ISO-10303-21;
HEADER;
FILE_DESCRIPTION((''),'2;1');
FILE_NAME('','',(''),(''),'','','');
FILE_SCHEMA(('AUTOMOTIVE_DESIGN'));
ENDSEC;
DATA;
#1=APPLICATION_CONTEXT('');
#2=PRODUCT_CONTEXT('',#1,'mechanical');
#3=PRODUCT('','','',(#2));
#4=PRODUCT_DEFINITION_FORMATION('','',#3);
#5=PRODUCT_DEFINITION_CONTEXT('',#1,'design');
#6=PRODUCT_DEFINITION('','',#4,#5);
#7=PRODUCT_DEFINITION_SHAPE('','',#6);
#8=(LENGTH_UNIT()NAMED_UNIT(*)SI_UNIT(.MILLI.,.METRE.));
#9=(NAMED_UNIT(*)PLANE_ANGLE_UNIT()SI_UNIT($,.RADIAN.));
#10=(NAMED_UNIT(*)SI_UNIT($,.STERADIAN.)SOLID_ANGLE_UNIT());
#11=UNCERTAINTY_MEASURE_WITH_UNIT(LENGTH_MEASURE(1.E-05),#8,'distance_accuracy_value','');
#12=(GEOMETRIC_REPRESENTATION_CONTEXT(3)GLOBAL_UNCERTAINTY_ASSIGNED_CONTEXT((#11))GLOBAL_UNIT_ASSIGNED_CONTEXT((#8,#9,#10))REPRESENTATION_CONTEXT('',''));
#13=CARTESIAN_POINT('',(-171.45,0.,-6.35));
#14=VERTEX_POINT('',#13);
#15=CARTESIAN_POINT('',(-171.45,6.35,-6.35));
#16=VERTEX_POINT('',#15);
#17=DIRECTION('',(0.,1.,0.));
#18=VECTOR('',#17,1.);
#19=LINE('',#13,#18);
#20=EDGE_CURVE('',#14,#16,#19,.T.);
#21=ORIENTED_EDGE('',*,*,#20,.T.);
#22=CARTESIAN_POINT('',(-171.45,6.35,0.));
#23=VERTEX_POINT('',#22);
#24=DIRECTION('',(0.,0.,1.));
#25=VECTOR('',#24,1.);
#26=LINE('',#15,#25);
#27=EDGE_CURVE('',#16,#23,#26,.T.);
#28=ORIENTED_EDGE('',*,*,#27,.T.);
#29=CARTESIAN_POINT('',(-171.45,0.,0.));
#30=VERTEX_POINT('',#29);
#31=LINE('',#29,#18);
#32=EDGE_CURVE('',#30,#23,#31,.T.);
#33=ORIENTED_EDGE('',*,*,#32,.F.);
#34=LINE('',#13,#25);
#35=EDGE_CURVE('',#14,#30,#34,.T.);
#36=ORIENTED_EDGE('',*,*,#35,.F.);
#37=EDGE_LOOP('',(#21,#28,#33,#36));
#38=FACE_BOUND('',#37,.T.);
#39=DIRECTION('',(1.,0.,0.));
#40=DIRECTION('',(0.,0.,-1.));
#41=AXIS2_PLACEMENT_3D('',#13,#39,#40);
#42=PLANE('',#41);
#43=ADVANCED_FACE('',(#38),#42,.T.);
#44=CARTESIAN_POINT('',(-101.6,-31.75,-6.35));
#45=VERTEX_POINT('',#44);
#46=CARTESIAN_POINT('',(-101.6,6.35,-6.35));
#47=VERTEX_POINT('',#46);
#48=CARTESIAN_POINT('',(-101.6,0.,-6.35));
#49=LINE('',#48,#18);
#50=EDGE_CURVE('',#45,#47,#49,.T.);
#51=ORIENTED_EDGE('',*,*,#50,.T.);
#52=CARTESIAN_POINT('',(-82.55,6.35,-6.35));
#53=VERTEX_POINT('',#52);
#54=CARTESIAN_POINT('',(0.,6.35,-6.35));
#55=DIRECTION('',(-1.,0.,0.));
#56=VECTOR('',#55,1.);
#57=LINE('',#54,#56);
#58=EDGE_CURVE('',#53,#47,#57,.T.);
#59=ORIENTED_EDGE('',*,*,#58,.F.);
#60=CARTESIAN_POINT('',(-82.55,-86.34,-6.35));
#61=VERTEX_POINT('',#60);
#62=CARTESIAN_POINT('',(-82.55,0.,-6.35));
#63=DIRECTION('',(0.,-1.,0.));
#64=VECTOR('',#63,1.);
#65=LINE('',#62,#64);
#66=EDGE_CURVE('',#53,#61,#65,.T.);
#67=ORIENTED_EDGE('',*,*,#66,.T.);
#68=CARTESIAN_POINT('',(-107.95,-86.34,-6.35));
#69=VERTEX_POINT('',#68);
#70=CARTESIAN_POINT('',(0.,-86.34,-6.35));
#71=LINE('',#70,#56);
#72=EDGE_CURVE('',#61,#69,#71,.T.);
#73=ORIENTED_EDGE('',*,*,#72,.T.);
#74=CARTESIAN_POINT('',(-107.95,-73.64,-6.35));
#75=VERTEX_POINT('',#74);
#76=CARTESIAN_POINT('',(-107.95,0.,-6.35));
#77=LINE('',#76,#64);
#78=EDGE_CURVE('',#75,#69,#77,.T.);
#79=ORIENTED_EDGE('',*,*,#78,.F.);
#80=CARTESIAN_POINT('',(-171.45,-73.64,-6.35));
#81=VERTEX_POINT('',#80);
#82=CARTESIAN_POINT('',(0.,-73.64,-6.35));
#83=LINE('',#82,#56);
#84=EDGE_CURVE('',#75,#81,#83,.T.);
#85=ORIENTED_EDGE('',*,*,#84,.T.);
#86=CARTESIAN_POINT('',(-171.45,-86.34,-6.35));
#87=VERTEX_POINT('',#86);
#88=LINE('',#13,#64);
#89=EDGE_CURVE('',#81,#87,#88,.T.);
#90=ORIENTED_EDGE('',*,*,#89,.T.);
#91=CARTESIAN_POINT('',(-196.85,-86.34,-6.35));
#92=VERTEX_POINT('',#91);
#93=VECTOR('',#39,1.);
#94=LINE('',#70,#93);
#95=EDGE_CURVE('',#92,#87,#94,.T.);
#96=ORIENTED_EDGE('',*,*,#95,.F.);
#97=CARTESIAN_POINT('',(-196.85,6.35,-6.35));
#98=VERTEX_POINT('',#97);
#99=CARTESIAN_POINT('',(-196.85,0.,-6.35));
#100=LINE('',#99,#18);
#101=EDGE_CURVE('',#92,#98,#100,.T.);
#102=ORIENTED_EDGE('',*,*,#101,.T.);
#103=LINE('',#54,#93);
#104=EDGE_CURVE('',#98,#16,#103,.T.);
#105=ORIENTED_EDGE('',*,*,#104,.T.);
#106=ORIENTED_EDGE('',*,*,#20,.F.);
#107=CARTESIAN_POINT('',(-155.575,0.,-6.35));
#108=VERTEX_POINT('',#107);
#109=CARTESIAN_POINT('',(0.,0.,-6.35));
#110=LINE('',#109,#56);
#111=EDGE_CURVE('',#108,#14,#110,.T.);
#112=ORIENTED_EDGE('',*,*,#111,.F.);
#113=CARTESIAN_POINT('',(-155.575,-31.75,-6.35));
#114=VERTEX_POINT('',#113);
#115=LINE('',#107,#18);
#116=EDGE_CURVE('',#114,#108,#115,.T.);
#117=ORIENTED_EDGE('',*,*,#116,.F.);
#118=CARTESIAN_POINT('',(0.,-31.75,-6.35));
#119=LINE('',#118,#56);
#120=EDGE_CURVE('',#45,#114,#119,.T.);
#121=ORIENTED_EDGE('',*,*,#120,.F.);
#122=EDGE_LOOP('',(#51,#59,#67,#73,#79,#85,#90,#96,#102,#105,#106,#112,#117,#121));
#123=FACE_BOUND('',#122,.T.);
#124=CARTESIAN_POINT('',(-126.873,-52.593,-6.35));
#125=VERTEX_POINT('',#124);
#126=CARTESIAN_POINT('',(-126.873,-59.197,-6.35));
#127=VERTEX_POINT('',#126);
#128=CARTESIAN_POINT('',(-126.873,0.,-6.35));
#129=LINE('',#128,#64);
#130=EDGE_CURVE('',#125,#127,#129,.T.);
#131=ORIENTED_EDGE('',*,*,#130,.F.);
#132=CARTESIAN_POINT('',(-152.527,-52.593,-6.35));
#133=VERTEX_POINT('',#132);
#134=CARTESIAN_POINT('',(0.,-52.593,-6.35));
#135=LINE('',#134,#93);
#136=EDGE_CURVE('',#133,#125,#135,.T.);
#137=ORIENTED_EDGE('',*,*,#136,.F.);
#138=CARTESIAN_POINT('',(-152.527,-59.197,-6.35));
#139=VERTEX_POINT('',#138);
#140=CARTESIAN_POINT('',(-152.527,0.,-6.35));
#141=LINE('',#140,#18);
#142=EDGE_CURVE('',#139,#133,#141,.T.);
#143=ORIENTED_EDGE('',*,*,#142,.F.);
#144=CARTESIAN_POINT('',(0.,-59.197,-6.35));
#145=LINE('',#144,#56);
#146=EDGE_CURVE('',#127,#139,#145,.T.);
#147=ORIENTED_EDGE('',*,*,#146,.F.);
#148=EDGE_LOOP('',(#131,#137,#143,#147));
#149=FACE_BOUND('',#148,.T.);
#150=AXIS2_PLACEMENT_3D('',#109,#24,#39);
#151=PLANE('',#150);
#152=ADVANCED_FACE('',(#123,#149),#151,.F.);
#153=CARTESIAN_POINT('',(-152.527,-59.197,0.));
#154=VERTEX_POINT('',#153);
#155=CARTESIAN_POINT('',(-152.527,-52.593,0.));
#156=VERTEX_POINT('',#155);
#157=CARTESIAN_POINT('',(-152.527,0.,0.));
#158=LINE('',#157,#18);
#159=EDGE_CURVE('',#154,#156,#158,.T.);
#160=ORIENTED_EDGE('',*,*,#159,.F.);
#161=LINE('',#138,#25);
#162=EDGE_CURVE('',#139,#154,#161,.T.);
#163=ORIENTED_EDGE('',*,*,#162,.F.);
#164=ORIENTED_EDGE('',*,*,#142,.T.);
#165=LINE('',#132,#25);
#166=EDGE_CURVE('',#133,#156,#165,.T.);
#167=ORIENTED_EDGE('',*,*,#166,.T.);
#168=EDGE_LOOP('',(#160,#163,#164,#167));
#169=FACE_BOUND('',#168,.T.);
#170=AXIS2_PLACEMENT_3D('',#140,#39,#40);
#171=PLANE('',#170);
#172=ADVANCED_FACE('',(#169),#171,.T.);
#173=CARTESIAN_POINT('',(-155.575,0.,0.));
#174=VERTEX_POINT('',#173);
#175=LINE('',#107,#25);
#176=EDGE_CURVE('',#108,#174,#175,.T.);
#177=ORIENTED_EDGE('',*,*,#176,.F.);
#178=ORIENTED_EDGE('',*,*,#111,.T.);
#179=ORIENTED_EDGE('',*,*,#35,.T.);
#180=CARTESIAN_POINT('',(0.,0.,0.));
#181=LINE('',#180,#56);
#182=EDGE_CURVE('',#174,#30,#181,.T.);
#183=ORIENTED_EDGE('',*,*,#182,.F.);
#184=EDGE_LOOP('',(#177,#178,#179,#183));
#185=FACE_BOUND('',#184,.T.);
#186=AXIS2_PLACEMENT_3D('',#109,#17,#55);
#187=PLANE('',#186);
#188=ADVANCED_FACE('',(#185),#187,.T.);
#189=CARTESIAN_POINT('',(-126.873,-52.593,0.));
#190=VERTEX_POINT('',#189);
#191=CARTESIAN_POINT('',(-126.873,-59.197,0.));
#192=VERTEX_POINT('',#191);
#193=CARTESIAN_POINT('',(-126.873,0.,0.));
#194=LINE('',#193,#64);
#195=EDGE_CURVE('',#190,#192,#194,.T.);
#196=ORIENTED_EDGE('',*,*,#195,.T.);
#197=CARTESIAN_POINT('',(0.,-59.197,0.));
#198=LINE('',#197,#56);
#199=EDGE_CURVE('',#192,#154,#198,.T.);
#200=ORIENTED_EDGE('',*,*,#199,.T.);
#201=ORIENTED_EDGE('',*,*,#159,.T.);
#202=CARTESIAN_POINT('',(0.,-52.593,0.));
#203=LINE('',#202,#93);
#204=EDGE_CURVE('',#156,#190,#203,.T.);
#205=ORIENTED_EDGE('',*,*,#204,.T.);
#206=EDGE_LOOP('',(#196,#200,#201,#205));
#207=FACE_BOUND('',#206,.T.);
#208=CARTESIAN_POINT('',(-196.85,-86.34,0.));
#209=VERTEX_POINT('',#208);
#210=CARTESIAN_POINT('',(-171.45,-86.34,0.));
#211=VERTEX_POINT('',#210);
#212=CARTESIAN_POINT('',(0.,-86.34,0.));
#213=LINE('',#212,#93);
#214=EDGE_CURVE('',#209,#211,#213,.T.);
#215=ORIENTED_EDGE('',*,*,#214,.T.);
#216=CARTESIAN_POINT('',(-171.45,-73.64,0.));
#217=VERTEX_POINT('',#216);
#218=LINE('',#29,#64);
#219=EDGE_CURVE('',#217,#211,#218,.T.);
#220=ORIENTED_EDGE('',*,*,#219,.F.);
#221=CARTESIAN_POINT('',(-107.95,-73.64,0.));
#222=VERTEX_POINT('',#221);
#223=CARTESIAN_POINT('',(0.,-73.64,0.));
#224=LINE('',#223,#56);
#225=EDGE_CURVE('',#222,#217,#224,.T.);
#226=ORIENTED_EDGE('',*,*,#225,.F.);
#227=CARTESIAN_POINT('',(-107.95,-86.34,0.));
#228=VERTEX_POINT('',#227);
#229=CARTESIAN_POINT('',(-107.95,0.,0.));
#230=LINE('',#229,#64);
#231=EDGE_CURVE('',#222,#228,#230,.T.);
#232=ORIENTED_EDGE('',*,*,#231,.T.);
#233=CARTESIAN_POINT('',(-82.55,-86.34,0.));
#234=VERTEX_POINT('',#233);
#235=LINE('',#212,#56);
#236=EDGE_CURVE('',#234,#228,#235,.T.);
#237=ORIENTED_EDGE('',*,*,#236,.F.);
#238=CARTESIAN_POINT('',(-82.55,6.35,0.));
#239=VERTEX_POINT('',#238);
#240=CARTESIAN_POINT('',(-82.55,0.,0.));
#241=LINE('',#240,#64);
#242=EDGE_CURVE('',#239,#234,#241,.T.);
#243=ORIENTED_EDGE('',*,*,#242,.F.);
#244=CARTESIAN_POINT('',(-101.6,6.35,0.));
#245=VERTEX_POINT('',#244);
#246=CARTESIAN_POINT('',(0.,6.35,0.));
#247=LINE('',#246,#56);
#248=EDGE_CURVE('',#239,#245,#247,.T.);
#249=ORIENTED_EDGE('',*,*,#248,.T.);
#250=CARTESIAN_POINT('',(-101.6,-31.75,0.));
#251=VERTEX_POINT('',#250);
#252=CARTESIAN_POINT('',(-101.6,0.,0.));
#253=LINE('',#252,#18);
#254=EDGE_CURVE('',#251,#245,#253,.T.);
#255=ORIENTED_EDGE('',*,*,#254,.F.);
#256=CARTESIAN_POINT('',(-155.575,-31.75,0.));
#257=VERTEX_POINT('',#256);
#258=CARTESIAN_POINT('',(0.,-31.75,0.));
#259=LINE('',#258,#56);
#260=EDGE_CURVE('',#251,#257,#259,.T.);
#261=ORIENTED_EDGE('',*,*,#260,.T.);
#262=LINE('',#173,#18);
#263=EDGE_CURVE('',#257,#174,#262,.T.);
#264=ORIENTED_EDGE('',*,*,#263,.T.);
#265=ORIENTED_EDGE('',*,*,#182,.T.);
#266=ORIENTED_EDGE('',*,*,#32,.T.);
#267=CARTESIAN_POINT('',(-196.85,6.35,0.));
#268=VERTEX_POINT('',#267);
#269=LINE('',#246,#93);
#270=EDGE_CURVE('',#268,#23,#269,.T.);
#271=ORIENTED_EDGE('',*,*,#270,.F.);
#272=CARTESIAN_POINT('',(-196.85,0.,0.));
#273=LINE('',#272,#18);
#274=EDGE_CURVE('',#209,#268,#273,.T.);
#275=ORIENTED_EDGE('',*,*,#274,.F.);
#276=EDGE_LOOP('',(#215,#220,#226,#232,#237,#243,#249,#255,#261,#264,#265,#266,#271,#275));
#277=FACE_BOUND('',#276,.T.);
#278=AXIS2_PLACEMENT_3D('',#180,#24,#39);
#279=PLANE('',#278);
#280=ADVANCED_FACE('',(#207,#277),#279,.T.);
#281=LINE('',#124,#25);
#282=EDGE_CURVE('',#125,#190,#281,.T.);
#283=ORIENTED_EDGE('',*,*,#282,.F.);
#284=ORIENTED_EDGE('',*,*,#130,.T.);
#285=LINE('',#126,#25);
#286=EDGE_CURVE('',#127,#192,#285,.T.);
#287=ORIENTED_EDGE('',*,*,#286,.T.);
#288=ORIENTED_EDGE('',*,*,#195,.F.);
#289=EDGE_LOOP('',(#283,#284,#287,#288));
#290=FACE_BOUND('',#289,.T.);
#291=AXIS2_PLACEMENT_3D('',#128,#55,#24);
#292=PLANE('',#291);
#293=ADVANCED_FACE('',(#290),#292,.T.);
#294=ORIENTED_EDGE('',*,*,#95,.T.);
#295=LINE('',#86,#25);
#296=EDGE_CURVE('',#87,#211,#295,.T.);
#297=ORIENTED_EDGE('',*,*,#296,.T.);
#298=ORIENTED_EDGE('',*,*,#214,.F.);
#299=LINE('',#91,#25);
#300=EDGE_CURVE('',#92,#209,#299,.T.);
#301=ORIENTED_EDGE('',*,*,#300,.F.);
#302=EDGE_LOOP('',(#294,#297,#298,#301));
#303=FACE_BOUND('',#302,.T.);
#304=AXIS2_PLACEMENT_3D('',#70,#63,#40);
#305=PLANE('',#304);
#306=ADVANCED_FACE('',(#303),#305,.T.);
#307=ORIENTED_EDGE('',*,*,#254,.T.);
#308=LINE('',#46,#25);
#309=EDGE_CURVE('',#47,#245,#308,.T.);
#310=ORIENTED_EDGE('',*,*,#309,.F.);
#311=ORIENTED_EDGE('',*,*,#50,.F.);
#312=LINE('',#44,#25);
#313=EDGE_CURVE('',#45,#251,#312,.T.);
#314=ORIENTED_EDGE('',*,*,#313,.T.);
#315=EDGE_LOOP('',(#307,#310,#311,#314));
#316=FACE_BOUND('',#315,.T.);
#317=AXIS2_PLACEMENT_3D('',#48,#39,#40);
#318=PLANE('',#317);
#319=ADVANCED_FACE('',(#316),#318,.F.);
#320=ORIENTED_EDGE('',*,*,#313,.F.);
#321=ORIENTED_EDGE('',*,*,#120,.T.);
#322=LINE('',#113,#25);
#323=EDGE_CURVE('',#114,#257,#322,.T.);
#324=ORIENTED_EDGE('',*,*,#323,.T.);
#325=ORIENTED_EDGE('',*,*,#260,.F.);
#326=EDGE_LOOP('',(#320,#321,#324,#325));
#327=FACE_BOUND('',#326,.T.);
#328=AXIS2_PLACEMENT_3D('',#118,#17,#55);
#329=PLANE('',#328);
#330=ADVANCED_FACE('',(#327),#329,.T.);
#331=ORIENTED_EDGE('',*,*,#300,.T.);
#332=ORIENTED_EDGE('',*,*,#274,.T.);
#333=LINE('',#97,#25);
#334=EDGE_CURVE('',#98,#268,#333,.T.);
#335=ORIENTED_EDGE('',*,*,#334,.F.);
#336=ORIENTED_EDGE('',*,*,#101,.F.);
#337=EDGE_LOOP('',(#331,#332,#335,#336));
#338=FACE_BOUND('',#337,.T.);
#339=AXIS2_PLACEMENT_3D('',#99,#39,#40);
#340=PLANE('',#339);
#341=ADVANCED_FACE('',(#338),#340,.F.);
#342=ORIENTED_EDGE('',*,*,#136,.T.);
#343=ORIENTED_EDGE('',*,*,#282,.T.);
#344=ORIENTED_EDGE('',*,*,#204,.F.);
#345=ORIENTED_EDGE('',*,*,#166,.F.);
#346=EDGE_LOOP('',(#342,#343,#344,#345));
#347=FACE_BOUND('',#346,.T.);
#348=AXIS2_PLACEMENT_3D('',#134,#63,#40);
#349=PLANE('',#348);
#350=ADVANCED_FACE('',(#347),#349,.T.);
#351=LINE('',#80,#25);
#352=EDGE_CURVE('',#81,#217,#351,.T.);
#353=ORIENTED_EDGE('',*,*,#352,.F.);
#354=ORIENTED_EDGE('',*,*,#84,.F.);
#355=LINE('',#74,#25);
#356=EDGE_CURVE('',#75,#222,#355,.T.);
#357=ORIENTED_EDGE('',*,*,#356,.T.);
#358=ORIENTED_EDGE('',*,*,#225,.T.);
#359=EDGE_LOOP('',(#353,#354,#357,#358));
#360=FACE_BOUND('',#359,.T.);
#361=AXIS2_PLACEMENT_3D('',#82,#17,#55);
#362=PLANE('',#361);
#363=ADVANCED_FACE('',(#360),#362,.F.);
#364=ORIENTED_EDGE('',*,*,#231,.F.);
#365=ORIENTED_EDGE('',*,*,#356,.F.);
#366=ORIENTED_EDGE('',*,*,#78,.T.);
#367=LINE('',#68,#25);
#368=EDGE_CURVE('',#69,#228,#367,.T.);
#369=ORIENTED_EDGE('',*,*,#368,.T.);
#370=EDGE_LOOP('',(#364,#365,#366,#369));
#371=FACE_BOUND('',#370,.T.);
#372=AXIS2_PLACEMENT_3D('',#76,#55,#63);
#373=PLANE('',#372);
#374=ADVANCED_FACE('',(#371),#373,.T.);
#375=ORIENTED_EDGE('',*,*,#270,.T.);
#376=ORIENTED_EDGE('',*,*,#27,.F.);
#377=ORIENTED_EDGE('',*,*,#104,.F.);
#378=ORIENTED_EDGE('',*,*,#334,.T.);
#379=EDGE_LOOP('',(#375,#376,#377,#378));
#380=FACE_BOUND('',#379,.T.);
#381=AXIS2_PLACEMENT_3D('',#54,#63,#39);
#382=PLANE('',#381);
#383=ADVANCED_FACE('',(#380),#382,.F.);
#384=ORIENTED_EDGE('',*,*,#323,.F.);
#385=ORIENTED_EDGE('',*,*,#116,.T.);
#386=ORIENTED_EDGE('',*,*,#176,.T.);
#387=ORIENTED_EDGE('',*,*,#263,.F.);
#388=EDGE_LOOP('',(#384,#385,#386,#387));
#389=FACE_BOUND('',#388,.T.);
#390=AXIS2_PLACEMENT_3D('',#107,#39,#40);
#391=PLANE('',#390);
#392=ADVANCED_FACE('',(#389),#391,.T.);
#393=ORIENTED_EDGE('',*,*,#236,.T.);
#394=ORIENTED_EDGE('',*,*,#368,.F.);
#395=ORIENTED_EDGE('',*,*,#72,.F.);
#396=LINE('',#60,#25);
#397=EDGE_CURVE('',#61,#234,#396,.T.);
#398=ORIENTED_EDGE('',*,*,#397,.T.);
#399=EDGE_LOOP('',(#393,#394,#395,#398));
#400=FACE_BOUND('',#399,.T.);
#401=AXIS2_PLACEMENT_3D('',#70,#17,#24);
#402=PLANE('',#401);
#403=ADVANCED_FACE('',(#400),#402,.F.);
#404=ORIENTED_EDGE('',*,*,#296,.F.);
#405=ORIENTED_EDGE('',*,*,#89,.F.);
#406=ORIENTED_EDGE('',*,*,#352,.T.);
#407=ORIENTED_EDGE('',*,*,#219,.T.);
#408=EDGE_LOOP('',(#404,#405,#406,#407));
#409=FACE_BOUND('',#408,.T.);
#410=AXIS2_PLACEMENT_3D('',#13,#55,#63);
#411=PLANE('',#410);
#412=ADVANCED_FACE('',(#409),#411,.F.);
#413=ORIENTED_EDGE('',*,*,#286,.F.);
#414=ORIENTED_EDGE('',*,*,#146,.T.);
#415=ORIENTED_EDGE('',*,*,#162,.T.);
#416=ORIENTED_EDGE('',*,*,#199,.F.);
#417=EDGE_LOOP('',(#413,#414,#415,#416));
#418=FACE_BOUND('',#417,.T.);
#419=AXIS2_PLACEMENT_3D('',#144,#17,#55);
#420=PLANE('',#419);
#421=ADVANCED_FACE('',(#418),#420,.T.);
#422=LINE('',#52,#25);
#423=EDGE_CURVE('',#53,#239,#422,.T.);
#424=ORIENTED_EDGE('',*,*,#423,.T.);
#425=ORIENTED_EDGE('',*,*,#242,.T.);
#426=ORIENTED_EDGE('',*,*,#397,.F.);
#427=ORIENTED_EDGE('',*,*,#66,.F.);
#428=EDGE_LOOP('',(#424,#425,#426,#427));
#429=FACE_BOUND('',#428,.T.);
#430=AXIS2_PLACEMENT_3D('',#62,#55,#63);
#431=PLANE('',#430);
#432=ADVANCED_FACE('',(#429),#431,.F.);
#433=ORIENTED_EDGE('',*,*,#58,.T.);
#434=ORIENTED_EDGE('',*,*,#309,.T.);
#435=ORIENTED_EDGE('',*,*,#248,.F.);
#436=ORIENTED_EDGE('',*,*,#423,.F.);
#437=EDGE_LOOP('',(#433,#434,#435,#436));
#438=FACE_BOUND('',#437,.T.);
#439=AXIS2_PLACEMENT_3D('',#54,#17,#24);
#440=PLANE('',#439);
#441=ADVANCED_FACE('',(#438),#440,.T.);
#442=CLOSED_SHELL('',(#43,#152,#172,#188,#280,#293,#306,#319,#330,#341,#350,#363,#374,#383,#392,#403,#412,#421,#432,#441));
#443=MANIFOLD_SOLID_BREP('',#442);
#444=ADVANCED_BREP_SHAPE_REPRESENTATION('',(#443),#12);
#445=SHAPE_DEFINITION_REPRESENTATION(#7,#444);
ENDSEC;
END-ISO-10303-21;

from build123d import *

# Parameters (mm, degrees)
SKETCH2_W           = 25.654
SKETCH2_H           = 6.604
BOSS_EXTRUDE1_DEPTH = 6.35


with BuildPart() as part:
    # Sketch2 → Boss-Extrude1 (new body)
    with BuildSketch(Plane(origin=(0, 0, 0), x_dir=(1, 0, 0), z_dir=(0, 0, -1))):
        Polygon((-82.55, 73.64), (-82.55, 0), (-82.55, -6.35), (-101.6, -6.35), (-101.6, 0), (-101.6, 31.75), (-155.575, 31.75), (-155.575, 0), (-171.45, 0), (-171.45, -6.35), (-196.85, -6.35), (-196.85, 0), (-196.85, 73.64), (-196.85, 86.34), (-171.45, 86.34), (-171.45, 73.64), (-107.95, 73.64), (-107.95, 86.34), (-82.55, 86.34), align=None)
        with Locations((-139.7, 55.895)):
            Rectangle(SKETCH2_W, SKETCH2_H, mode=Mode.SUBTRACT)
    extrude(amount=BOSS_EXTRUDE1_DEPTH)


solid = part.part
